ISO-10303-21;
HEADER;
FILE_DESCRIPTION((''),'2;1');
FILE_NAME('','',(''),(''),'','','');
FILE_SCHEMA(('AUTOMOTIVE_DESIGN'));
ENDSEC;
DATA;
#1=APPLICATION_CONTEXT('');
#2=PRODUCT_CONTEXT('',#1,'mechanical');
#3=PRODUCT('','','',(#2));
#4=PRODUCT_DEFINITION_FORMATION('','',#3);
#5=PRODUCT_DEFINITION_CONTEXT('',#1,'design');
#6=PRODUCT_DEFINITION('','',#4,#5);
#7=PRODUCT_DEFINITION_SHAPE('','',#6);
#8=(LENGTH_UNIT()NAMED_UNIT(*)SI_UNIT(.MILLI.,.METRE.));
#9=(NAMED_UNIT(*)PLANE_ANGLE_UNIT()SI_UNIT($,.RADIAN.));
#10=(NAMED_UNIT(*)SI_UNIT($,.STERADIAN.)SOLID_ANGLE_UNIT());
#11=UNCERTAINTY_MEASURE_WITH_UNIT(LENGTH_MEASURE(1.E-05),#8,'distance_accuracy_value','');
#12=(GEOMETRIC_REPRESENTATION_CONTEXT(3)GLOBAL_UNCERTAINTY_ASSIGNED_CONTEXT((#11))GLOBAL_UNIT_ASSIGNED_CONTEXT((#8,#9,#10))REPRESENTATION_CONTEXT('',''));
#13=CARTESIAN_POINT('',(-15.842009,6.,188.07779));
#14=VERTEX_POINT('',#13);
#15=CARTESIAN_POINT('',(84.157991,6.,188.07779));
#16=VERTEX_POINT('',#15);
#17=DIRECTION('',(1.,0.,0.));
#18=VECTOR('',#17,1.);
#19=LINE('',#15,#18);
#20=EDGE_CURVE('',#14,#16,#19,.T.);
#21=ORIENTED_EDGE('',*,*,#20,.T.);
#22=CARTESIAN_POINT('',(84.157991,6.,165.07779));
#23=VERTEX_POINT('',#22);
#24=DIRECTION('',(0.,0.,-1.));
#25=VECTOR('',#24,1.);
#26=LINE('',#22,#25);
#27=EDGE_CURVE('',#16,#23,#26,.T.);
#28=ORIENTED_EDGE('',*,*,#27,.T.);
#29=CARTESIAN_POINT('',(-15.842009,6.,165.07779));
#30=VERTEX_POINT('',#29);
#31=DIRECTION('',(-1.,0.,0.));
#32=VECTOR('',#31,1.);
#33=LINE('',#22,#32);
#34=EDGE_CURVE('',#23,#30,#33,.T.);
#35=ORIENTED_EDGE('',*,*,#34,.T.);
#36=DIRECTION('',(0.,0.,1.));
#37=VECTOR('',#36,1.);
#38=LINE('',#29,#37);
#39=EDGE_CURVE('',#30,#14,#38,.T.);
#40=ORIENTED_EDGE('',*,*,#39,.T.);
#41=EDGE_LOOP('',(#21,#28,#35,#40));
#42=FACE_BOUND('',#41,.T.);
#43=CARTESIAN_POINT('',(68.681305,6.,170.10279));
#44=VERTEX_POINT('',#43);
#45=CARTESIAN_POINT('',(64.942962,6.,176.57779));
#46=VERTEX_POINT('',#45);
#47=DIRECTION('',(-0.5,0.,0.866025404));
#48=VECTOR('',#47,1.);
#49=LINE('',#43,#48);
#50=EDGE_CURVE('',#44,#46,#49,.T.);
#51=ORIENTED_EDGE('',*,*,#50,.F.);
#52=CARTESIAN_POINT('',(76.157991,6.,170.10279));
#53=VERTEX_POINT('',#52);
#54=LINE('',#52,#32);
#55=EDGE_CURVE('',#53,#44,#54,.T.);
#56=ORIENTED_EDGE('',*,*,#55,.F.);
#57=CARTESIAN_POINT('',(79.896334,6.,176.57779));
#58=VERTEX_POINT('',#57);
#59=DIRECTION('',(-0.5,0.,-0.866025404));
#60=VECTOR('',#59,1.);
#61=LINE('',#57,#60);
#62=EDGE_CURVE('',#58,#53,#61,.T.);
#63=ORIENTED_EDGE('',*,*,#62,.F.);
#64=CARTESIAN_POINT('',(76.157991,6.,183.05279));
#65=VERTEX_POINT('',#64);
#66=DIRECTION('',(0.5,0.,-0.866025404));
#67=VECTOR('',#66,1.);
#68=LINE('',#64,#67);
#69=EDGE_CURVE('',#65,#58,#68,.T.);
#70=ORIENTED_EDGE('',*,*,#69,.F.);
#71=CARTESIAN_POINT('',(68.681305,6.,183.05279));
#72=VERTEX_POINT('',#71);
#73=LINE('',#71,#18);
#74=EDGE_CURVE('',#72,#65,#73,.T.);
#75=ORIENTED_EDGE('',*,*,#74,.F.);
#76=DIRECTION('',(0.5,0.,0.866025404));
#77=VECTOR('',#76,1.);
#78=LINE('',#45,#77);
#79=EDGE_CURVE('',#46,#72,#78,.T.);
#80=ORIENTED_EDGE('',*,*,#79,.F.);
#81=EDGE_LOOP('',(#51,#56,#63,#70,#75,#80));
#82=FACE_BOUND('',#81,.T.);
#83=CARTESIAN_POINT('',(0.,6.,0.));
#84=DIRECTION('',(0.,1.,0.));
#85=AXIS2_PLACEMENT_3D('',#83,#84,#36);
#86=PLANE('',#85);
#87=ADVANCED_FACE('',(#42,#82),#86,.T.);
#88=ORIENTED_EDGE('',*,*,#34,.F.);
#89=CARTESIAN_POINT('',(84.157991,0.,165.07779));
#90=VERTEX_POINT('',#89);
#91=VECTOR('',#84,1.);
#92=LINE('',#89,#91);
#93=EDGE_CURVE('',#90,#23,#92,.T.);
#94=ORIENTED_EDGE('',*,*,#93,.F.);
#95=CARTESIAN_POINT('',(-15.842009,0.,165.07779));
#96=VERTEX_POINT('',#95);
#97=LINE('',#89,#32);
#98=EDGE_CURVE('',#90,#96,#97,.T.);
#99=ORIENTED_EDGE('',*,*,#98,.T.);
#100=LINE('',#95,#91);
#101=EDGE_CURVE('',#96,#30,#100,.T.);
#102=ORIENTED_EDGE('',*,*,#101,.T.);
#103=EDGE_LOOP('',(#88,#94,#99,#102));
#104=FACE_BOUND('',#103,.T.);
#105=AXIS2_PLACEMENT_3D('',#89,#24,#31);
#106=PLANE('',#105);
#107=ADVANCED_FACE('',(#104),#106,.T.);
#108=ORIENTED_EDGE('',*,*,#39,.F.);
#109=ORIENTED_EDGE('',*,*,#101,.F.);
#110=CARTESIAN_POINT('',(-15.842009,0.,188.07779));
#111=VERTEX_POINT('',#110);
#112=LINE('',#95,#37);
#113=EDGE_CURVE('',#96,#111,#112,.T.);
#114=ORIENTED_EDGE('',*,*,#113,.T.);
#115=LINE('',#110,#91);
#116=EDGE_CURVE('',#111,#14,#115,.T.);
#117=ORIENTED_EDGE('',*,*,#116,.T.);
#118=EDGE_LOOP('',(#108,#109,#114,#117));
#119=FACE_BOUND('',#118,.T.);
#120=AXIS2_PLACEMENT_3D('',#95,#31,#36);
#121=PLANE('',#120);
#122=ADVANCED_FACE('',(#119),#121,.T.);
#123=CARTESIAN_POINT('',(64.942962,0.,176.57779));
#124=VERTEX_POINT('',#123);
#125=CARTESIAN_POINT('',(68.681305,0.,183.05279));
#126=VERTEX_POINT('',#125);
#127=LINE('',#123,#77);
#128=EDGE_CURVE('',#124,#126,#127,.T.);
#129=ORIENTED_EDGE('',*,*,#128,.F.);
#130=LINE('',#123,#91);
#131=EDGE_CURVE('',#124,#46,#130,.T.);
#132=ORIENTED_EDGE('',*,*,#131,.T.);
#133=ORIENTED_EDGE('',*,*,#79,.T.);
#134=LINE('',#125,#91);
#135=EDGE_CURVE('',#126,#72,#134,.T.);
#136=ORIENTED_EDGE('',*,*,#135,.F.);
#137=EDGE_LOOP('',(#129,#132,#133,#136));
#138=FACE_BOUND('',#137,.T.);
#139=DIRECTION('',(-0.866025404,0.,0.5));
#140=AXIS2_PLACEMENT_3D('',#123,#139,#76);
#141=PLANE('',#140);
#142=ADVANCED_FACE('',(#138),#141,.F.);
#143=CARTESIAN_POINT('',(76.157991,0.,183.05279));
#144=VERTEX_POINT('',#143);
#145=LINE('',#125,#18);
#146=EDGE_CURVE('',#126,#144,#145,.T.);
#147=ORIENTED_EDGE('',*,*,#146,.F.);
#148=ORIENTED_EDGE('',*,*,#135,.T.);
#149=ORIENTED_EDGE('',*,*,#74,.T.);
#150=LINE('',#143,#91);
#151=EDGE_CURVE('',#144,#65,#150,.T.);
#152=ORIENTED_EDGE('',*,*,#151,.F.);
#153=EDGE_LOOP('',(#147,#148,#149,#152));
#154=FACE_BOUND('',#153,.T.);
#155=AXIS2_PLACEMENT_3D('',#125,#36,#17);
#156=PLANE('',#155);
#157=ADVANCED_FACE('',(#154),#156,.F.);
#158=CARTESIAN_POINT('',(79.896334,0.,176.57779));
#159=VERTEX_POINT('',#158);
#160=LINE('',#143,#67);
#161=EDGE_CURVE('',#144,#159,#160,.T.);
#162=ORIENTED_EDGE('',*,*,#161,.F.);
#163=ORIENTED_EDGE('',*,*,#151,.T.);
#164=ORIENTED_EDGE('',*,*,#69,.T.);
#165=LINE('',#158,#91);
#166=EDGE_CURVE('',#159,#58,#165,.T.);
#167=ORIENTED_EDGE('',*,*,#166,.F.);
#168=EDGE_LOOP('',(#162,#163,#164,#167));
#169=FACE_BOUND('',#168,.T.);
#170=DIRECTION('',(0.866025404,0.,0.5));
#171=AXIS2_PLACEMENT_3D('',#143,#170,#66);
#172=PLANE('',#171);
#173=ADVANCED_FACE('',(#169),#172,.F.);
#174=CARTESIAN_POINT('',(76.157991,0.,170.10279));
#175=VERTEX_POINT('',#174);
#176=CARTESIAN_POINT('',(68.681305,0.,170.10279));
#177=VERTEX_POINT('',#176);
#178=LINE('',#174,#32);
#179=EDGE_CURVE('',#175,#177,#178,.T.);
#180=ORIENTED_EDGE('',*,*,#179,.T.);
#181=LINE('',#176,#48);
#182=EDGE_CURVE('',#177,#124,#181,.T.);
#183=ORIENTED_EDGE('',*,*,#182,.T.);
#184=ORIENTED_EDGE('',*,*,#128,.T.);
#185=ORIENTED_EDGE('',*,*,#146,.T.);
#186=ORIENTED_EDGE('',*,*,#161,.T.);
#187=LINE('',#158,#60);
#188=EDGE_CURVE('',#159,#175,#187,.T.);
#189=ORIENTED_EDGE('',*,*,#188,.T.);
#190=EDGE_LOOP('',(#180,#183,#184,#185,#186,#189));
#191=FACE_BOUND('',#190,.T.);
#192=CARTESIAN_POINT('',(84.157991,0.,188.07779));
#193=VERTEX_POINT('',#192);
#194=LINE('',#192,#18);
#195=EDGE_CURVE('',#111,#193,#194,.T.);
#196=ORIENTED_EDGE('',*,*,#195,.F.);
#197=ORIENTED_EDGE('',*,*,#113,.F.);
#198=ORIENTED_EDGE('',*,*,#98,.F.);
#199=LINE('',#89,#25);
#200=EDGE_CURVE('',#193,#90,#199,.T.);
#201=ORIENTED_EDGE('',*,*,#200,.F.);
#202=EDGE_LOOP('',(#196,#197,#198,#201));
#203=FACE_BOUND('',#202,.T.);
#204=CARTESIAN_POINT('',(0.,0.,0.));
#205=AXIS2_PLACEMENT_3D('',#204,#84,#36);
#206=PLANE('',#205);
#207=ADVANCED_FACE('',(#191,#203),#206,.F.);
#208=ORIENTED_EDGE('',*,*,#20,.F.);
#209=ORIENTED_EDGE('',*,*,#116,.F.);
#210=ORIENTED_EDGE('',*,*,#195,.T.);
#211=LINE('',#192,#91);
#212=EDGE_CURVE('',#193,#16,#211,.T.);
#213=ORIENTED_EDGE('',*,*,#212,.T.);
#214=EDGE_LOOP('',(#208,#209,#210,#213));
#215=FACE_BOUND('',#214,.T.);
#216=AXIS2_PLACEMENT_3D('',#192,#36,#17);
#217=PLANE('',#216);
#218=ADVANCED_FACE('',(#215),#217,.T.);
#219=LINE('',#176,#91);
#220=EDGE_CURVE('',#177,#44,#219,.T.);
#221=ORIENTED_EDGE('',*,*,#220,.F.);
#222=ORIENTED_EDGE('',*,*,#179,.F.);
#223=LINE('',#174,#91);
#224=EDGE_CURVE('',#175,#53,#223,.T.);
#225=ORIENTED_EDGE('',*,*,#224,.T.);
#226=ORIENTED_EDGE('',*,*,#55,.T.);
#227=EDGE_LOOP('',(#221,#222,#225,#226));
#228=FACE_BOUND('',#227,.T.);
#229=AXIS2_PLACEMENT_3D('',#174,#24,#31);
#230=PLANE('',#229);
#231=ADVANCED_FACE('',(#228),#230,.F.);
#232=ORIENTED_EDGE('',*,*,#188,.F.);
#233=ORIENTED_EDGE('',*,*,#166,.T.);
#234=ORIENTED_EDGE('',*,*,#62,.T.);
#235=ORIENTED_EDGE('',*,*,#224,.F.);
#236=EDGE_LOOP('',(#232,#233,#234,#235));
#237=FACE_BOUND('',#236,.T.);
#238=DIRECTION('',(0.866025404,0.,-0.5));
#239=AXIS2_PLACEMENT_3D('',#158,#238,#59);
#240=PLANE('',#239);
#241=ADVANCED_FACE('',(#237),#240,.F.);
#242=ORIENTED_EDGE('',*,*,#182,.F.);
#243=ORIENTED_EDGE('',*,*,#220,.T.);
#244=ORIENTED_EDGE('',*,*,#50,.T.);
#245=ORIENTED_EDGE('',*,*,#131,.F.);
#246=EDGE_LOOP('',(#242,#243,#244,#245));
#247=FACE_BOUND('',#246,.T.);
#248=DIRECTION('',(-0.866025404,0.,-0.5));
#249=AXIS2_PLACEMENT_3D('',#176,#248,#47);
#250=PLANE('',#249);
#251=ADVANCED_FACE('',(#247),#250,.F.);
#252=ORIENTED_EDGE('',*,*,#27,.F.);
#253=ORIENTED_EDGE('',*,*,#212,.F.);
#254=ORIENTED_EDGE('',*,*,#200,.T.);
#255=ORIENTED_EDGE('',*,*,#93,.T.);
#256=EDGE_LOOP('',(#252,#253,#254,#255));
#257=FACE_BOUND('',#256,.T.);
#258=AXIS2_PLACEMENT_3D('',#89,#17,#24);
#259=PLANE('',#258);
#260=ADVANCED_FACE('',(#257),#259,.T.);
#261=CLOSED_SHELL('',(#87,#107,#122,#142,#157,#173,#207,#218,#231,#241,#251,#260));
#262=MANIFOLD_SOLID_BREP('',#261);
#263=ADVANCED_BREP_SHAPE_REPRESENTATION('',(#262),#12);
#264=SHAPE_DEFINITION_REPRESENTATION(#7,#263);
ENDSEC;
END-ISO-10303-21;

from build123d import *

# Parameters (mm, degrees)
SZKIC2_W                    = 100
SZKIC2_H                    = 23
DODANIE_WYCI_GNI_CIE1_DEPTH = 6
WYTNIJ_WYCI_GNI_CIE1_DEPTH  = 6


with BuildPart() as part:
    # Szkic2 → Dodanie-wyciągnięcie1 (new body)
    with BuildSketch(Plane(origin=(0, 6, 0), x_dir=(1, 0, 0), z_dir=(0, 1, 0))):
        with Locations((34.15799092, -176.577789634)):
            Rectangle(SZKIC2_W, SZKIC2_H)
    extrude(amount=-DODANIE_WYCI_GNI_CIE1_DEPTH)

    # Szkic3 → Wytnij-wyciągnięcie1 (cut)
    with BuildSketch(Plane(origin=(0, 6, 0), x_dir=(1, 0, 0), z_dir=(0, 1, 0))):
        Polygon((64.942961941, -176.577789634), (68.681304934, -183.052789634), (76.15799092, -183.052789634), (79.896333913, -176.577789634), (76.15799092, -170.102789634), (68.681304934, -170.102789634), align=None)
    extrude(amount=-WYTNIJ_WYCI_GNI_CIE1_DEPTH, mode=Mode.SUBTRACT)


solid = part.part
